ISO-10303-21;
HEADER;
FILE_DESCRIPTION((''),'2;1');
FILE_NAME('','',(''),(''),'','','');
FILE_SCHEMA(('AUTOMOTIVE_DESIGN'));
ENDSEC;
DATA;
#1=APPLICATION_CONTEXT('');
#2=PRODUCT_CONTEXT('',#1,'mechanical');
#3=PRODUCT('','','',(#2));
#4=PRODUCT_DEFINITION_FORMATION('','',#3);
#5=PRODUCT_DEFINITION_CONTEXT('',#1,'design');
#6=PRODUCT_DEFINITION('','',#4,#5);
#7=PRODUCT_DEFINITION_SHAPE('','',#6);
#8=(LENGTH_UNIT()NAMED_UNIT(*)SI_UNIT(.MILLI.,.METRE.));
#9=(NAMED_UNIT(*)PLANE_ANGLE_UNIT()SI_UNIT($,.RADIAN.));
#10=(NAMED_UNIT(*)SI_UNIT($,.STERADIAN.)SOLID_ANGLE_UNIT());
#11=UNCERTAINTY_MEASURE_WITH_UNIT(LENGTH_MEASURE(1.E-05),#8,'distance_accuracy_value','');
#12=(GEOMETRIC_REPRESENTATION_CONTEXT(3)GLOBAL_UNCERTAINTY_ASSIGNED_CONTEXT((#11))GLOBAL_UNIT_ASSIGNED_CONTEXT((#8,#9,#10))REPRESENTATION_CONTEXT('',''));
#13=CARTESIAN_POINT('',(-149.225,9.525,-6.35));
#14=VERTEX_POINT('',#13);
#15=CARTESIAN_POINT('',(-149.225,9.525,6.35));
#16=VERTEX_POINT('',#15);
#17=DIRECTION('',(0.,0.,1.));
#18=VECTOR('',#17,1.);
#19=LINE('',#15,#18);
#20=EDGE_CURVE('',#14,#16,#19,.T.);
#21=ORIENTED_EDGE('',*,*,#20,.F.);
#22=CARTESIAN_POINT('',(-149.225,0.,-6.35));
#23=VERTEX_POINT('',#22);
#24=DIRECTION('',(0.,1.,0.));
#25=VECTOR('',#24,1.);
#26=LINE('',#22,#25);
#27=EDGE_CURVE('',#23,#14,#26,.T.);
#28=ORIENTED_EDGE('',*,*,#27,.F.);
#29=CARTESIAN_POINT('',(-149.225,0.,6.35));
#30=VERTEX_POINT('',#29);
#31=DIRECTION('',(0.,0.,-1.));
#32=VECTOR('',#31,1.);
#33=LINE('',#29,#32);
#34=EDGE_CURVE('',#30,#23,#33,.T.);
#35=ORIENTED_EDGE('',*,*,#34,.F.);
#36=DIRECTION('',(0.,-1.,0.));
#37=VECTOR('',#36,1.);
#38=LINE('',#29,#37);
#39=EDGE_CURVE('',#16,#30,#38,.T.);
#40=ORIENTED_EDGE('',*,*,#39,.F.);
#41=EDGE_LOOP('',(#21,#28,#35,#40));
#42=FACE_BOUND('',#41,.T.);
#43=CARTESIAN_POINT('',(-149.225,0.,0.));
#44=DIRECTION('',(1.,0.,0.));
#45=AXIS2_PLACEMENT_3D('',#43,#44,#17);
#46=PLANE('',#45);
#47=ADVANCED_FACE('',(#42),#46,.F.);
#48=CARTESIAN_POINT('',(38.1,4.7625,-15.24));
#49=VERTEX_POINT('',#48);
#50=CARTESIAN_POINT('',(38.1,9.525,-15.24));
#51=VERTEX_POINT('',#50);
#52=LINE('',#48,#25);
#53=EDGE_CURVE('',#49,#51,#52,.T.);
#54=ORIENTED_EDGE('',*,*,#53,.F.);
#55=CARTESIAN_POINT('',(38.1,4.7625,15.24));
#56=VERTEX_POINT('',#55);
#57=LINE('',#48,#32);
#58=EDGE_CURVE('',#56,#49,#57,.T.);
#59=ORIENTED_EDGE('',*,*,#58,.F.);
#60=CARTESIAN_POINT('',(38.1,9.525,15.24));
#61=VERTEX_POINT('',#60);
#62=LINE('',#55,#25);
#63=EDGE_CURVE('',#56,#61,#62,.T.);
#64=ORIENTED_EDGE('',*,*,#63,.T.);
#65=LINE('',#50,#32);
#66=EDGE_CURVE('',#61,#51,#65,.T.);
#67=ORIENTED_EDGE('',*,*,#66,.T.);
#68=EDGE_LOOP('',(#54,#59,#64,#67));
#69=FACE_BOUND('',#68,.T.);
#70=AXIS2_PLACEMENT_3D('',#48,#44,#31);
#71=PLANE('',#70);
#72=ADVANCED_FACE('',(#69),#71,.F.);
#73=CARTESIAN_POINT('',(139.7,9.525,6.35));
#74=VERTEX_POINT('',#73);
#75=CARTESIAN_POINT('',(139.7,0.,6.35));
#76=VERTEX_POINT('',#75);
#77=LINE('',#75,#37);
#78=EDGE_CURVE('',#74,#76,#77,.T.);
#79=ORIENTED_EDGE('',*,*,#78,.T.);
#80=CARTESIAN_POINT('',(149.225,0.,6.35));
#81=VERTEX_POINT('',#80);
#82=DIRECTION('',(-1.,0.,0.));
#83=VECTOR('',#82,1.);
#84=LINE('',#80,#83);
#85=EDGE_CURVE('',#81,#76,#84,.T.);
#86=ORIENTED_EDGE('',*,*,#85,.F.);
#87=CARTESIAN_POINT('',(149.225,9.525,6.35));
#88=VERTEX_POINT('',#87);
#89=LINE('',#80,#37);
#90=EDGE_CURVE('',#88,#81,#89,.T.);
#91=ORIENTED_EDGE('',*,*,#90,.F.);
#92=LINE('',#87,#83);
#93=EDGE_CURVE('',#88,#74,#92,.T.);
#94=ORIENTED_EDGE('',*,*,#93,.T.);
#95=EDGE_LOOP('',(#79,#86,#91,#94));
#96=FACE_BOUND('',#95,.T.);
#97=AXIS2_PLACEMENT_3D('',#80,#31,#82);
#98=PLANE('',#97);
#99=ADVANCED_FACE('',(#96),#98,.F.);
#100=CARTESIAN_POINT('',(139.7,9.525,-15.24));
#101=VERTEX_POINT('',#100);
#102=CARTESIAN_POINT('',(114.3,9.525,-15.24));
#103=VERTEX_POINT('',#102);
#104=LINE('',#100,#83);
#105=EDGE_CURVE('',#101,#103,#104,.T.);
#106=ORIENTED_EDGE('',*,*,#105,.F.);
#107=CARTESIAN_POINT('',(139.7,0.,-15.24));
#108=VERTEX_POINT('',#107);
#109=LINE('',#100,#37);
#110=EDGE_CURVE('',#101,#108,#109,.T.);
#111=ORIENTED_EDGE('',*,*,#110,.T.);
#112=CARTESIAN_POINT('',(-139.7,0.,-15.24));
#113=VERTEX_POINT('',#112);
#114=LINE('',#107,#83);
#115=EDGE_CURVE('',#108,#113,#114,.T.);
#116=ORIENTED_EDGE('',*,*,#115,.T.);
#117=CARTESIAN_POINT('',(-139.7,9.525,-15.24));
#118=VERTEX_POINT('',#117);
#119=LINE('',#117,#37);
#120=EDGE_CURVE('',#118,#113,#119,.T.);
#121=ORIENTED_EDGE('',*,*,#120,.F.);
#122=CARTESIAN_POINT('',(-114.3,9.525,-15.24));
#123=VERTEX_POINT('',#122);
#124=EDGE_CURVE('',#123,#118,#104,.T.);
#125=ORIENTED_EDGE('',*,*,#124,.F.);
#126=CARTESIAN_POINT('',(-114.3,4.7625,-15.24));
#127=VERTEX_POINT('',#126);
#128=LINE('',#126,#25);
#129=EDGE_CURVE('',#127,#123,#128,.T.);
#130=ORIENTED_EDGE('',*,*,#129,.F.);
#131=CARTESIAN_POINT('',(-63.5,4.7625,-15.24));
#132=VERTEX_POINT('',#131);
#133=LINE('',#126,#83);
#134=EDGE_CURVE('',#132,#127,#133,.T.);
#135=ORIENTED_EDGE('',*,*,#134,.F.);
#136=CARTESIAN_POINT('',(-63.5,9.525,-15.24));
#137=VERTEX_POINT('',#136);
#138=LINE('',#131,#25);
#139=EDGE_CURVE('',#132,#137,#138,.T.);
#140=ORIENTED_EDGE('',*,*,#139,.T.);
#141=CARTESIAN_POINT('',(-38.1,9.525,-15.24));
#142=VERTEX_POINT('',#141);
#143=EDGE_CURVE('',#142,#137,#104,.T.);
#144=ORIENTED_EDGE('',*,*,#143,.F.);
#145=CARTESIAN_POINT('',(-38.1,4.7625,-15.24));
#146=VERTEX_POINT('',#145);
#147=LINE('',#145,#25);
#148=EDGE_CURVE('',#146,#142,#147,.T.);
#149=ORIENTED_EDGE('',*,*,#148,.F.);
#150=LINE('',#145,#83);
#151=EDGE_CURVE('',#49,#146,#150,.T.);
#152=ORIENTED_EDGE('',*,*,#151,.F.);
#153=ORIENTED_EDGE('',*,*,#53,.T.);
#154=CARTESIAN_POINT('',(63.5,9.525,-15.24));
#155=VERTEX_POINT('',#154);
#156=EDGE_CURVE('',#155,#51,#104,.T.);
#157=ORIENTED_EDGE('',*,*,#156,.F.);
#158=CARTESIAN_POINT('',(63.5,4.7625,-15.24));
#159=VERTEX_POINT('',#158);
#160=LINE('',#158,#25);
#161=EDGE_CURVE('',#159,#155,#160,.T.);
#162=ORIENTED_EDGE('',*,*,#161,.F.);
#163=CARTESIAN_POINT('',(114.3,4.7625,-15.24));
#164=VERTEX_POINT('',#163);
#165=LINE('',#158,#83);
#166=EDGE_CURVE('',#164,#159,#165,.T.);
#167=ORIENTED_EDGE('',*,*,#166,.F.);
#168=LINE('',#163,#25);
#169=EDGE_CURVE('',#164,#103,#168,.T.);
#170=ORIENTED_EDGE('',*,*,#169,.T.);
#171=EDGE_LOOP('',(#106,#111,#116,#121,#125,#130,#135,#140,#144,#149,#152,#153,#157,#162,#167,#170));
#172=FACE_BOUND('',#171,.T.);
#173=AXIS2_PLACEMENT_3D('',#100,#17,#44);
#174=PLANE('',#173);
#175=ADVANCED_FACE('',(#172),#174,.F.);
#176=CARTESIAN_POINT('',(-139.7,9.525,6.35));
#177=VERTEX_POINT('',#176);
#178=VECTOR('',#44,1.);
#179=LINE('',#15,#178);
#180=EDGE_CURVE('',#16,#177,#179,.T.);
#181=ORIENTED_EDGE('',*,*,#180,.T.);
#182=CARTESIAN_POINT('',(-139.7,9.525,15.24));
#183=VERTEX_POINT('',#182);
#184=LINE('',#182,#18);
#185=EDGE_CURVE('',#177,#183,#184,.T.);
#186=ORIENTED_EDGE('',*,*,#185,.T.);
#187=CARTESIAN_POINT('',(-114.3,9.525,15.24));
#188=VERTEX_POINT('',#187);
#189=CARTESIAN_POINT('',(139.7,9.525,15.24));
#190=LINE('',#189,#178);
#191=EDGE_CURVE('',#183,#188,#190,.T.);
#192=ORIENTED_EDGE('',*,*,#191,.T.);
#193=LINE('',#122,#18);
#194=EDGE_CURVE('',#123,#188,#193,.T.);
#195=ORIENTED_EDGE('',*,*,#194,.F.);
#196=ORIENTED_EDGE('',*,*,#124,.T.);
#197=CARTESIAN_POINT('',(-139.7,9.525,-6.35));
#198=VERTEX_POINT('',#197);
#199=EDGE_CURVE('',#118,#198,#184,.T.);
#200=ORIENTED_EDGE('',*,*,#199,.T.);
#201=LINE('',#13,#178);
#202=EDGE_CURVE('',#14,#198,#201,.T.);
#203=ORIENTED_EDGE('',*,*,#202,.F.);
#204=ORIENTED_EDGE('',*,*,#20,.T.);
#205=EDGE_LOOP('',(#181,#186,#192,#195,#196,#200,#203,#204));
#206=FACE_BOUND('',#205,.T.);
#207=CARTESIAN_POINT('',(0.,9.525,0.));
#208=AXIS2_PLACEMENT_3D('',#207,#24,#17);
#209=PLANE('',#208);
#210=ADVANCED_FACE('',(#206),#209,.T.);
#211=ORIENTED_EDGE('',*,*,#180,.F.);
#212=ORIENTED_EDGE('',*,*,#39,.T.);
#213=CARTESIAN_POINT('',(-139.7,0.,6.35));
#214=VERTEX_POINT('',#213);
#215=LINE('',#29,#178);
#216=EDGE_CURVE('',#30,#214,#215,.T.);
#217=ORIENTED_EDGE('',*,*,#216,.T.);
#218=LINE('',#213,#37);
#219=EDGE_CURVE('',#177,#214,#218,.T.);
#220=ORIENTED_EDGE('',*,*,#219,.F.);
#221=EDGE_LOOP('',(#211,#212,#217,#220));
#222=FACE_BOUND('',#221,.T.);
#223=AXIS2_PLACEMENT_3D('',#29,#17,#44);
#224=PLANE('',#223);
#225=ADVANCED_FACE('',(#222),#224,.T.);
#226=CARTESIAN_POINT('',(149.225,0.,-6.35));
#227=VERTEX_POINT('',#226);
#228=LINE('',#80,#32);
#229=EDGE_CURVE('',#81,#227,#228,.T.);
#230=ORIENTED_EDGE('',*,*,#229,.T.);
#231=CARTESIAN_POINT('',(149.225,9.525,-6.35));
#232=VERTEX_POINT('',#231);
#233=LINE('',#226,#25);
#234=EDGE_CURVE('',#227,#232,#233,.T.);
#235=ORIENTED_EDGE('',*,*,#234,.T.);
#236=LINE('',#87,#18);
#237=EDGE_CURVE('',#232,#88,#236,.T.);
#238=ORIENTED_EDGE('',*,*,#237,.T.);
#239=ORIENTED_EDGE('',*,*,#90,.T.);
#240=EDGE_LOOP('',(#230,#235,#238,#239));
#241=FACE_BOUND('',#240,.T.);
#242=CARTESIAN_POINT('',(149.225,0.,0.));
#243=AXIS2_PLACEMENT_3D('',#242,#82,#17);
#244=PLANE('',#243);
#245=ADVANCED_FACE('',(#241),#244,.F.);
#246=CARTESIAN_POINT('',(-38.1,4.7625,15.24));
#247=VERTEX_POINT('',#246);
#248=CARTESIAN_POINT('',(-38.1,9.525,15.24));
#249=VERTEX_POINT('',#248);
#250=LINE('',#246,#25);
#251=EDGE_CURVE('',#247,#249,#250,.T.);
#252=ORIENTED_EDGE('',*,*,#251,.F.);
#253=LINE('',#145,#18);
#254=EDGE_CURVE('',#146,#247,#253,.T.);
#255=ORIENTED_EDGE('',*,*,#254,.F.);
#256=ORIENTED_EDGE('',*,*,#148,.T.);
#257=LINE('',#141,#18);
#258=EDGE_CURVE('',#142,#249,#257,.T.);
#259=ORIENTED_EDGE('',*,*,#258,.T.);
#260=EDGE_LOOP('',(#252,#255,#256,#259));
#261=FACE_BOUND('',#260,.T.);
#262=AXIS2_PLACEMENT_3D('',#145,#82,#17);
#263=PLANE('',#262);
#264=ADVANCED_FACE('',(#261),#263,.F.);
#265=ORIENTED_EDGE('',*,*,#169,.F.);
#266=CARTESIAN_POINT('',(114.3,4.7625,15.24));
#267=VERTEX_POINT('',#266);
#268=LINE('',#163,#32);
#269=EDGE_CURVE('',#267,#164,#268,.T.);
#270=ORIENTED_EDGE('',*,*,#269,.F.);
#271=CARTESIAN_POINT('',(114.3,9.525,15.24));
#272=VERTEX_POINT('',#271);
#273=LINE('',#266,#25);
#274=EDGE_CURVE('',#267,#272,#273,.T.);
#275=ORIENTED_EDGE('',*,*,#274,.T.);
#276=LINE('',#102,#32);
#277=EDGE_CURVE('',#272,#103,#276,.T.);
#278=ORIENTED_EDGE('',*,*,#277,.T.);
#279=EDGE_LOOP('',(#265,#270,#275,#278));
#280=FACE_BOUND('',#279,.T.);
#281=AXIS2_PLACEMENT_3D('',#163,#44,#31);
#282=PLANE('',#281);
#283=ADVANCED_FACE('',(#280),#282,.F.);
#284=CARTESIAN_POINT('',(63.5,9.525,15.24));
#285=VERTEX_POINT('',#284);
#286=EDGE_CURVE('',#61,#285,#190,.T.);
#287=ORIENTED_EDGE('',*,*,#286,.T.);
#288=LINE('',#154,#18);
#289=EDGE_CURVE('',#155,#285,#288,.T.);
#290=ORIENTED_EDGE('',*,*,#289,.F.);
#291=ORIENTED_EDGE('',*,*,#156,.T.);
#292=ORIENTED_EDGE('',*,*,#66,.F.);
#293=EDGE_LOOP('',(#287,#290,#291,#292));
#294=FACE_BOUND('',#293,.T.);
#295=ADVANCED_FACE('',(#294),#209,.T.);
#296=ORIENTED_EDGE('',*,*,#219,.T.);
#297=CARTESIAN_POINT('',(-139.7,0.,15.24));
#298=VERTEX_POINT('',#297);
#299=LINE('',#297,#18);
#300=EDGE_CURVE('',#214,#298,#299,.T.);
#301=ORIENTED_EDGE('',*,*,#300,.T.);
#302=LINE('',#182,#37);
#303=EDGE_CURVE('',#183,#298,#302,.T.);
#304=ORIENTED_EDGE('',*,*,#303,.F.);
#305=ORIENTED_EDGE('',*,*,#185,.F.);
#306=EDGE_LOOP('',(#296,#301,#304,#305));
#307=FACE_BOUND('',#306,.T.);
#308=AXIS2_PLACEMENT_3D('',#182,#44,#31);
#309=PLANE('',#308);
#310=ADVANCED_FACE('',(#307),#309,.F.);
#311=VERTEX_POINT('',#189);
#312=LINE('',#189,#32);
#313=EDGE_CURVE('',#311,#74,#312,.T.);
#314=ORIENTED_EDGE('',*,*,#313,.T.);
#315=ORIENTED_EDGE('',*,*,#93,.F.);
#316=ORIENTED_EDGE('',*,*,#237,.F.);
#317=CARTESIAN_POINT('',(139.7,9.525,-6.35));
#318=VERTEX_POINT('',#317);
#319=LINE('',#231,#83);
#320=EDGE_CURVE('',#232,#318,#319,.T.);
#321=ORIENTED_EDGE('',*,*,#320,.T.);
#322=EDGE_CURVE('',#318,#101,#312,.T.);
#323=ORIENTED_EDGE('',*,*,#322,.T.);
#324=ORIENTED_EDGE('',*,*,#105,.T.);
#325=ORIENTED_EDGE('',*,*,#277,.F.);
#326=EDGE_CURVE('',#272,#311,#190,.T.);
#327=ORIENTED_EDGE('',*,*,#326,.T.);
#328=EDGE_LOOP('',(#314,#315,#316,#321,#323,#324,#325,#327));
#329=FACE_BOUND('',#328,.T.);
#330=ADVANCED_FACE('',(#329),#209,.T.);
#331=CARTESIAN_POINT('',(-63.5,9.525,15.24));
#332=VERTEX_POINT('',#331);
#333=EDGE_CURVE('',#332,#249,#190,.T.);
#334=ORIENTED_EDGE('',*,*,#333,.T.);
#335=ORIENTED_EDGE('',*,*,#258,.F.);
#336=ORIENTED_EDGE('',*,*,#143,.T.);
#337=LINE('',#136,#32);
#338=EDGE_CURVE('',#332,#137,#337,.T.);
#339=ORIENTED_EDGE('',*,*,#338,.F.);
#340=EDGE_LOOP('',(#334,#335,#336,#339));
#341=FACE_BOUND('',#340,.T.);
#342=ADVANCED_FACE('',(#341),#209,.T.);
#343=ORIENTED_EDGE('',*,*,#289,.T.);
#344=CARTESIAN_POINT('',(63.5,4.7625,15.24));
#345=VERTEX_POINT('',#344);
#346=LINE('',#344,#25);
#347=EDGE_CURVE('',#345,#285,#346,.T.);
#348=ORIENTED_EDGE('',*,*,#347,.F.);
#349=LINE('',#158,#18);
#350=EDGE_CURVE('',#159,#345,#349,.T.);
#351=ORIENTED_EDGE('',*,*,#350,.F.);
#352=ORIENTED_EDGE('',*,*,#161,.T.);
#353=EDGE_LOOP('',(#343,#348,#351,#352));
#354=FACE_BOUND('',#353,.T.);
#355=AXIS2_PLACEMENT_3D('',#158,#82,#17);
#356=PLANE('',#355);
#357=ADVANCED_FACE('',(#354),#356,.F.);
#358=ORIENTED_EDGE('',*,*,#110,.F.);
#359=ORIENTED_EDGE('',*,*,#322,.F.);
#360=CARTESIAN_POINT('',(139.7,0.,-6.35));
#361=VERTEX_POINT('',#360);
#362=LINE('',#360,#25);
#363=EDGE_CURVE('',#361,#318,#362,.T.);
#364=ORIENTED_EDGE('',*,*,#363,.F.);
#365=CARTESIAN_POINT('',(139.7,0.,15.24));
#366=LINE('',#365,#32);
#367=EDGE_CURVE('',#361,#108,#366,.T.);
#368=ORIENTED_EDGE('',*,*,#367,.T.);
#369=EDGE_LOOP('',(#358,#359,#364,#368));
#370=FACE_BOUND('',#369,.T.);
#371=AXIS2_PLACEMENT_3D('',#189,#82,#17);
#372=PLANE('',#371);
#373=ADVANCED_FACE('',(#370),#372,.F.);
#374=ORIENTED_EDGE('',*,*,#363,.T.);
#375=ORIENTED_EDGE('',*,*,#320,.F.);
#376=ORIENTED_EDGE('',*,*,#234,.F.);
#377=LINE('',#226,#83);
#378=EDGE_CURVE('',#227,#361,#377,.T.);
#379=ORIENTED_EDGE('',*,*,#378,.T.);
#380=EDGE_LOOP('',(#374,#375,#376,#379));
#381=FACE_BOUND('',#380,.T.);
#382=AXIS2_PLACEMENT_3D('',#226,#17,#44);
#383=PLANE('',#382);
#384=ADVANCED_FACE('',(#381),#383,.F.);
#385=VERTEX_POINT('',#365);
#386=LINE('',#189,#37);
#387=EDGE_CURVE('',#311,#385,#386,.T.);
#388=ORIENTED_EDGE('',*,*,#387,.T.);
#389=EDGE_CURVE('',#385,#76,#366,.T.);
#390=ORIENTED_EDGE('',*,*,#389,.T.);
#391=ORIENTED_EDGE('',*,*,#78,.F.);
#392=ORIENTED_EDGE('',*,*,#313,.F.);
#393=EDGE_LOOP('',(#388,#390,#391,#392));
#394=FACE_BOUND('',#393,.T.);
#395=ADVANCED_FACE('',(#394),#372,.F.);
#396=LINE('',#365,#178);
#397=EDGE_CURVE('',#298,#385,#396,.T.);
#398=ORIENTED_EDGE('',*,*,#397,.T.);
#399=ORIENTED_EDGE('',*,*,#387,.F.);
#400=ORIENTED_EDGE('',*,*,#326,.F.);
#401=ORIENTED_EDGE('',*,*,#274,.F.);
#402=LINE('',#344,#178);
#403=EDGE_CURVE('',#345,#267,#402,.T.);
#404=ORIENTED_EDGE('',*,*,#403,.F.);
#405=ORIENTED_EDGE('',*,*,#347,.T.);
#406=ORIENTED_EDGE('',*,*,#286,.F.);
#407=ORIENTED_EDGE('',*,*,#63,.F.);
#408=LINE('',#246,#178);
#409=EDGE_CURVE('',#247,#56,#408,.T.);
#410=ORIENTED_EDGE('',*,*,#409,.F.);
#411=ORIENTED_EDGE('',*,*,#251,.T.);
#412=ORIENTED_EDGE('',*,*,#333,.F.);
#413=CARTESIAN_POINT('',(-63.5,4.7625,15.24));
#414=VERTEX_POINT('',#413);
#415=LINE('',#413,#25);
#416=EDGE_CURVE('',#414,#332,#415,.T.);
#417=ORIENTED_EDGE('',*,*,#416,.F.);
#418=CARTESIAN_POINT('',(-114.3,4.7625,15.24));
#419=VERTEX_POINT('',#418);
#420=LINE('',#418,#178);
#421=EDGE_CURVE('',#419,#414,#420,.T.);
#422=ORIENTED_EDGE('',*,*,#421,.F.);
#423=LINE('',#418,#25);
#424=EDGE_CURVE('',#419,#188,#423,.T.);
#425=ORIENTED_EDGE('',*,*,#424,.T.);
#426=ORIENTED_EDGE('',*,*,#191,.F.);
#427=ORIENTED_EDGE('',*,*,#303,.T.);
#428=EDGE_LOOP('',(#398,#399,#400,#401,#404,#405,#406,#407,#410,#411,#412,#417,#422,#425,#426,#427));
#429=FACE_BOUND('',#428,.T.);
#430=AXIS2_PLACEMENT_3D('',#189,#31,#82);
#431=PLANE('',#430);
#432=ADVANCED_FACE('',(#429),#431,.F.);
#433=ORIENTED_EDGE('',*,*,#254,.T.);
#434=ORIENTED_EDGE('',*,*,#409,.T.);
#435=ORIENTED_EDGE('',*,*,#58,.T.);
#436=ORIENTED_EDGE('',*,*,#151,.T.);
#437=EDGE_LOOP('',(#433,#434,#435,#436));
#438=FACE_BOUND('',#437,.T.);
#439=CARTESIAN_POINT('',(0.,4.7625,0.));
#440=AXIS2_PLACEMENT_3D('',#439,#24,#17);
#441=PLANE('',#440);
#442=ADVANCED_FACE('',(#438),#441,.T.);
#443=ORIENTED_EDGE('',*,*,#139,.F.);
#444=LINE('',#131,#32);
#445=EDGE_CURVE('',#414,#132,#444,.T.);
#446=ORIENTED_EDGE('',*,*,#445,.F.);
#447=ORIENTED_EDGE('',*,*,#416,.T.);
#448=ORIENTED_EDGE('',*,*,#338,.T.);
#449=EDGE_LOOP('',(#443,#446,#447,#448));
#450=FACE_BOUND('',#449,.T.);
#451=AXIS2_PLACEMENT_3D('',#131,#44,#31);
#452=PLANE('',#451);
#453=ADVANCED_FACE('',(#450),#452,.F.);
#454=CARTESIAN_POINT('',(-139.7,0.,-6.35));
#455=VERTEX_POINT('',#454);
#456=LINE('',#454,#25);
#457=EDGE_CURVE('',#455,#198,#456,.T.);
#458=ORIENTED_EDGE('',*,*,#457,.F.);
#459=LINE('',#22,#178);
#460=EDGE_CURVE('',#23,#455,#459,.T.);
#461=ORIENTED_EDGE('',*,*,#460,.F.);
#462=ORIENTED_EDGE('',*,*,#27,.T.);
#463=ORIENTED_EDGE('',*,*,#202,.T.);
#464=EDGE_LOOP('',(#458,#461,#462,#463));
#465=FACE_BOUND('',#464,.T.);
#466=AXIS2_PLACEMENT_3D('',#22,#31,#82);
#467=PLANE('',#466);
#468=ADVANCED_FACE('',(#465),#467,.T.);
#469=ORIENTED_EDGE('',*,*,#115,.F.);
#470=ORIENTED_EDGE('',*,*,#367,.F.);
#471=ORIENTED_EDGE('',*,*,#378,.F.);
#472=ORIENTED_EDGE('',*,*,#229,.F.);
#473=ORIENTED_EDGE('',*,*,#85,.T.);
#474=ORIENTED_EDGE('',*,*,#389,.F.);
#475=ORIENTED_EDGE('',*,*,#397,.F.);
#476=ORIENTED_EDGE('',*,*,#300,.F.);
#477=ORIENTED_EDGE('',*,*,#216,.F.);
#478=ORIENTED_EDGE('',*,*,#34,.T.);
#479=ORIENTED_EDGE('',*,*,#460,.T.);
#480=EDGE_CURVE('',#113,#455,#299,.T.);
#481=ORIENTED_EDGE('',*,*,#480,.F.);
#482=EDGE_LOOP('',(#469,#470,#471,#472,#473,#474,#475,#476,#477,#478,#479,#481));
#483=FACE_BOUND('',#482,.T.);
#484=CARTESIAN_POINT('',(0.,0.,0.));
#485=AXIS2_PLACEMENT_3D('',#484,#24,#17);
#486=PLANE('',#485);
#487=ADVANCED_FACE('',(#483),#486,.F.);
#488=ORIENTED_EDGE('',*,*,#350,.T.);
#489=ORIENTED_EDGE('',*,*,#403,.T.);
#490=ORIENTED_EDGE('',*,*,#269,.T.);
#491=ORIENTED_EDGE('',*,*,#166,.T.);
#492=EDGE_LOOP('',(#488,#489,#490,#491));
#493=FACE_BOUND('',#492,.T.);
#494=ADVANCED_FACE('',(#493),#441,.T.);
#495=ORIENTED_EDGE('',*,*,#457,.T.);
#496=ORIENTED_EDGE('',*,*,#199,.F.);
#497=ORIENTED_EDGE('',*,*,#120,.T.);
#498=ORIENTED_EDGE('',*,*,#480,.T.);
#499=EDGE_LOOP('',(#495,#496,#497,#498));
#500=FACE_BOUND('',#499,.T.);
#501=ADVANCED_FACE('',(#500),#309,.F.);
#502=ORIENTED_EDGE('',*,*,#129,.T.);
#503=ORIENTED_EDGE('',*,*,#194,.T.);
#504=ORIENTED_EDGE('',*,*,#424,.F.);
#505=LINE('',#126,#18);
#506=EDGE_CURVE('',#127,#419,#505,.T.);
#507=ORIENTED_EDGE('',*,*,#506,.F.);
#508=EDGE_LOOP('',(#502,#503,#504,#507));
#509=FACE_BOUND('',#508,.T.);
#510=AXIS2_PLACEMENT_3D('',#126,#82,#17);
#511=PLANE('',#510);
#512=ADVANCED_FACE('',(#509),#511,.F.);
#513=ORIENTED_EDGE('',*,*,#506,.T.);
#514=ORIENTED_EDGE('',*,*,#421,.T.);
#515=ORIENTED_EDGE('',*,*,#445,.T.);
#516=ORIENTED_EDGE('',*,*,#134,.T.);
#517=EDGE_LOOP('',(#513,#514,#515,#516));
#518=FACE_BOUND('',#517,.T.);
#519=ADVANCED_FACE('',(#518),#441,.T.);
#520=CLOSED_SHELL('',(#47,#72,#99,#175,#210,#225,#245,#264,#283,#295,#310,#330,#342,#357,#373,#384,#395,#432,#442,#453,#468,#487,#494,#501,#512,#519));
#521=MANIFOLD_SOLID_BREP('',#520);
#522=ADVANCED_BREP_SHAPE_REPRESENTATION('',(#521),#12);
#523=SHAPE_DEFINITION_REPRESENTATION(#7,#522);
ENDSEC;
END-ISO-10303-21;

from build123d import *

# Parameters (mm, degrees)
SKETCH1_W           = 279.4
SKETCH1_H           = 30.48
BOSS_EXTRUDE1_DEPTH = 9.525
SKETCH2_W           = 12.7
SKETCH2_H           = 9.525
BOSS_EXTRUDE2_DEPTH = 9.525
SKETCH4_W           = 76.2
SKETCH4_H           = 30.48
SKETCH4_W_2         = 50.8
CUT_EXTRUDE1_DEPTH  = 4.7625


with BuildPart() as part:
    # Sketch1 → Boss-Extrude1 (new body)
    with BuildSketch(Plane(origin=(0, 0, 0), x_dir=(1, 0, 0), z_dir=(0, 1, 0))):
        Rectangle(SKETCH1_W, SKETCH1_H)
    extrude(amount=BOSS_EXTRUDE1_DEPTH)

    # Sketch2 → Boss-Extrude2 (add)
    with BuildSketch(Plane(origin=(139.7, 0, 0), x_dir=(0, 0, -1), z_dir=(1, 0, 0))):
        with Locations((0, 4.7625)):
            Rectangle(SKETCH2_W, SKETCH2_H)
    boss_extrude2 = extrude(amount=BOSS_EXTRUDE2_DEPTH)

    # Mirror1: Boss-Extrude2 across plane
    add(boss_extrude2.mirror(Plane(origin=(0, 0, 0), x_dir=(0, 0, 1), z_dir=(1, 0, 0))))

    # Sketch4 → Cut-Extrude1 (cut)
    with BuildSketch(Plane(origin=(0, 9.525, 0), x_dir=(1, 0, 0), z_dir=(0, 1, 0))):
        Rectangle(SKETCH4_W, SKETCH4_H)
        with Locations((88.9, 0)):
            Rectangle(SKETCH4_W_2, SKETCH4_H)
        with Locations((-88.9, 0)):
            Rectangle(SKETCH4_W_2, SKETCH4_H)
    extrude(amount=-CUT_EXTRUDE1_DEPTH, mode=Mode.SUBTRACT)


solid = part.part
